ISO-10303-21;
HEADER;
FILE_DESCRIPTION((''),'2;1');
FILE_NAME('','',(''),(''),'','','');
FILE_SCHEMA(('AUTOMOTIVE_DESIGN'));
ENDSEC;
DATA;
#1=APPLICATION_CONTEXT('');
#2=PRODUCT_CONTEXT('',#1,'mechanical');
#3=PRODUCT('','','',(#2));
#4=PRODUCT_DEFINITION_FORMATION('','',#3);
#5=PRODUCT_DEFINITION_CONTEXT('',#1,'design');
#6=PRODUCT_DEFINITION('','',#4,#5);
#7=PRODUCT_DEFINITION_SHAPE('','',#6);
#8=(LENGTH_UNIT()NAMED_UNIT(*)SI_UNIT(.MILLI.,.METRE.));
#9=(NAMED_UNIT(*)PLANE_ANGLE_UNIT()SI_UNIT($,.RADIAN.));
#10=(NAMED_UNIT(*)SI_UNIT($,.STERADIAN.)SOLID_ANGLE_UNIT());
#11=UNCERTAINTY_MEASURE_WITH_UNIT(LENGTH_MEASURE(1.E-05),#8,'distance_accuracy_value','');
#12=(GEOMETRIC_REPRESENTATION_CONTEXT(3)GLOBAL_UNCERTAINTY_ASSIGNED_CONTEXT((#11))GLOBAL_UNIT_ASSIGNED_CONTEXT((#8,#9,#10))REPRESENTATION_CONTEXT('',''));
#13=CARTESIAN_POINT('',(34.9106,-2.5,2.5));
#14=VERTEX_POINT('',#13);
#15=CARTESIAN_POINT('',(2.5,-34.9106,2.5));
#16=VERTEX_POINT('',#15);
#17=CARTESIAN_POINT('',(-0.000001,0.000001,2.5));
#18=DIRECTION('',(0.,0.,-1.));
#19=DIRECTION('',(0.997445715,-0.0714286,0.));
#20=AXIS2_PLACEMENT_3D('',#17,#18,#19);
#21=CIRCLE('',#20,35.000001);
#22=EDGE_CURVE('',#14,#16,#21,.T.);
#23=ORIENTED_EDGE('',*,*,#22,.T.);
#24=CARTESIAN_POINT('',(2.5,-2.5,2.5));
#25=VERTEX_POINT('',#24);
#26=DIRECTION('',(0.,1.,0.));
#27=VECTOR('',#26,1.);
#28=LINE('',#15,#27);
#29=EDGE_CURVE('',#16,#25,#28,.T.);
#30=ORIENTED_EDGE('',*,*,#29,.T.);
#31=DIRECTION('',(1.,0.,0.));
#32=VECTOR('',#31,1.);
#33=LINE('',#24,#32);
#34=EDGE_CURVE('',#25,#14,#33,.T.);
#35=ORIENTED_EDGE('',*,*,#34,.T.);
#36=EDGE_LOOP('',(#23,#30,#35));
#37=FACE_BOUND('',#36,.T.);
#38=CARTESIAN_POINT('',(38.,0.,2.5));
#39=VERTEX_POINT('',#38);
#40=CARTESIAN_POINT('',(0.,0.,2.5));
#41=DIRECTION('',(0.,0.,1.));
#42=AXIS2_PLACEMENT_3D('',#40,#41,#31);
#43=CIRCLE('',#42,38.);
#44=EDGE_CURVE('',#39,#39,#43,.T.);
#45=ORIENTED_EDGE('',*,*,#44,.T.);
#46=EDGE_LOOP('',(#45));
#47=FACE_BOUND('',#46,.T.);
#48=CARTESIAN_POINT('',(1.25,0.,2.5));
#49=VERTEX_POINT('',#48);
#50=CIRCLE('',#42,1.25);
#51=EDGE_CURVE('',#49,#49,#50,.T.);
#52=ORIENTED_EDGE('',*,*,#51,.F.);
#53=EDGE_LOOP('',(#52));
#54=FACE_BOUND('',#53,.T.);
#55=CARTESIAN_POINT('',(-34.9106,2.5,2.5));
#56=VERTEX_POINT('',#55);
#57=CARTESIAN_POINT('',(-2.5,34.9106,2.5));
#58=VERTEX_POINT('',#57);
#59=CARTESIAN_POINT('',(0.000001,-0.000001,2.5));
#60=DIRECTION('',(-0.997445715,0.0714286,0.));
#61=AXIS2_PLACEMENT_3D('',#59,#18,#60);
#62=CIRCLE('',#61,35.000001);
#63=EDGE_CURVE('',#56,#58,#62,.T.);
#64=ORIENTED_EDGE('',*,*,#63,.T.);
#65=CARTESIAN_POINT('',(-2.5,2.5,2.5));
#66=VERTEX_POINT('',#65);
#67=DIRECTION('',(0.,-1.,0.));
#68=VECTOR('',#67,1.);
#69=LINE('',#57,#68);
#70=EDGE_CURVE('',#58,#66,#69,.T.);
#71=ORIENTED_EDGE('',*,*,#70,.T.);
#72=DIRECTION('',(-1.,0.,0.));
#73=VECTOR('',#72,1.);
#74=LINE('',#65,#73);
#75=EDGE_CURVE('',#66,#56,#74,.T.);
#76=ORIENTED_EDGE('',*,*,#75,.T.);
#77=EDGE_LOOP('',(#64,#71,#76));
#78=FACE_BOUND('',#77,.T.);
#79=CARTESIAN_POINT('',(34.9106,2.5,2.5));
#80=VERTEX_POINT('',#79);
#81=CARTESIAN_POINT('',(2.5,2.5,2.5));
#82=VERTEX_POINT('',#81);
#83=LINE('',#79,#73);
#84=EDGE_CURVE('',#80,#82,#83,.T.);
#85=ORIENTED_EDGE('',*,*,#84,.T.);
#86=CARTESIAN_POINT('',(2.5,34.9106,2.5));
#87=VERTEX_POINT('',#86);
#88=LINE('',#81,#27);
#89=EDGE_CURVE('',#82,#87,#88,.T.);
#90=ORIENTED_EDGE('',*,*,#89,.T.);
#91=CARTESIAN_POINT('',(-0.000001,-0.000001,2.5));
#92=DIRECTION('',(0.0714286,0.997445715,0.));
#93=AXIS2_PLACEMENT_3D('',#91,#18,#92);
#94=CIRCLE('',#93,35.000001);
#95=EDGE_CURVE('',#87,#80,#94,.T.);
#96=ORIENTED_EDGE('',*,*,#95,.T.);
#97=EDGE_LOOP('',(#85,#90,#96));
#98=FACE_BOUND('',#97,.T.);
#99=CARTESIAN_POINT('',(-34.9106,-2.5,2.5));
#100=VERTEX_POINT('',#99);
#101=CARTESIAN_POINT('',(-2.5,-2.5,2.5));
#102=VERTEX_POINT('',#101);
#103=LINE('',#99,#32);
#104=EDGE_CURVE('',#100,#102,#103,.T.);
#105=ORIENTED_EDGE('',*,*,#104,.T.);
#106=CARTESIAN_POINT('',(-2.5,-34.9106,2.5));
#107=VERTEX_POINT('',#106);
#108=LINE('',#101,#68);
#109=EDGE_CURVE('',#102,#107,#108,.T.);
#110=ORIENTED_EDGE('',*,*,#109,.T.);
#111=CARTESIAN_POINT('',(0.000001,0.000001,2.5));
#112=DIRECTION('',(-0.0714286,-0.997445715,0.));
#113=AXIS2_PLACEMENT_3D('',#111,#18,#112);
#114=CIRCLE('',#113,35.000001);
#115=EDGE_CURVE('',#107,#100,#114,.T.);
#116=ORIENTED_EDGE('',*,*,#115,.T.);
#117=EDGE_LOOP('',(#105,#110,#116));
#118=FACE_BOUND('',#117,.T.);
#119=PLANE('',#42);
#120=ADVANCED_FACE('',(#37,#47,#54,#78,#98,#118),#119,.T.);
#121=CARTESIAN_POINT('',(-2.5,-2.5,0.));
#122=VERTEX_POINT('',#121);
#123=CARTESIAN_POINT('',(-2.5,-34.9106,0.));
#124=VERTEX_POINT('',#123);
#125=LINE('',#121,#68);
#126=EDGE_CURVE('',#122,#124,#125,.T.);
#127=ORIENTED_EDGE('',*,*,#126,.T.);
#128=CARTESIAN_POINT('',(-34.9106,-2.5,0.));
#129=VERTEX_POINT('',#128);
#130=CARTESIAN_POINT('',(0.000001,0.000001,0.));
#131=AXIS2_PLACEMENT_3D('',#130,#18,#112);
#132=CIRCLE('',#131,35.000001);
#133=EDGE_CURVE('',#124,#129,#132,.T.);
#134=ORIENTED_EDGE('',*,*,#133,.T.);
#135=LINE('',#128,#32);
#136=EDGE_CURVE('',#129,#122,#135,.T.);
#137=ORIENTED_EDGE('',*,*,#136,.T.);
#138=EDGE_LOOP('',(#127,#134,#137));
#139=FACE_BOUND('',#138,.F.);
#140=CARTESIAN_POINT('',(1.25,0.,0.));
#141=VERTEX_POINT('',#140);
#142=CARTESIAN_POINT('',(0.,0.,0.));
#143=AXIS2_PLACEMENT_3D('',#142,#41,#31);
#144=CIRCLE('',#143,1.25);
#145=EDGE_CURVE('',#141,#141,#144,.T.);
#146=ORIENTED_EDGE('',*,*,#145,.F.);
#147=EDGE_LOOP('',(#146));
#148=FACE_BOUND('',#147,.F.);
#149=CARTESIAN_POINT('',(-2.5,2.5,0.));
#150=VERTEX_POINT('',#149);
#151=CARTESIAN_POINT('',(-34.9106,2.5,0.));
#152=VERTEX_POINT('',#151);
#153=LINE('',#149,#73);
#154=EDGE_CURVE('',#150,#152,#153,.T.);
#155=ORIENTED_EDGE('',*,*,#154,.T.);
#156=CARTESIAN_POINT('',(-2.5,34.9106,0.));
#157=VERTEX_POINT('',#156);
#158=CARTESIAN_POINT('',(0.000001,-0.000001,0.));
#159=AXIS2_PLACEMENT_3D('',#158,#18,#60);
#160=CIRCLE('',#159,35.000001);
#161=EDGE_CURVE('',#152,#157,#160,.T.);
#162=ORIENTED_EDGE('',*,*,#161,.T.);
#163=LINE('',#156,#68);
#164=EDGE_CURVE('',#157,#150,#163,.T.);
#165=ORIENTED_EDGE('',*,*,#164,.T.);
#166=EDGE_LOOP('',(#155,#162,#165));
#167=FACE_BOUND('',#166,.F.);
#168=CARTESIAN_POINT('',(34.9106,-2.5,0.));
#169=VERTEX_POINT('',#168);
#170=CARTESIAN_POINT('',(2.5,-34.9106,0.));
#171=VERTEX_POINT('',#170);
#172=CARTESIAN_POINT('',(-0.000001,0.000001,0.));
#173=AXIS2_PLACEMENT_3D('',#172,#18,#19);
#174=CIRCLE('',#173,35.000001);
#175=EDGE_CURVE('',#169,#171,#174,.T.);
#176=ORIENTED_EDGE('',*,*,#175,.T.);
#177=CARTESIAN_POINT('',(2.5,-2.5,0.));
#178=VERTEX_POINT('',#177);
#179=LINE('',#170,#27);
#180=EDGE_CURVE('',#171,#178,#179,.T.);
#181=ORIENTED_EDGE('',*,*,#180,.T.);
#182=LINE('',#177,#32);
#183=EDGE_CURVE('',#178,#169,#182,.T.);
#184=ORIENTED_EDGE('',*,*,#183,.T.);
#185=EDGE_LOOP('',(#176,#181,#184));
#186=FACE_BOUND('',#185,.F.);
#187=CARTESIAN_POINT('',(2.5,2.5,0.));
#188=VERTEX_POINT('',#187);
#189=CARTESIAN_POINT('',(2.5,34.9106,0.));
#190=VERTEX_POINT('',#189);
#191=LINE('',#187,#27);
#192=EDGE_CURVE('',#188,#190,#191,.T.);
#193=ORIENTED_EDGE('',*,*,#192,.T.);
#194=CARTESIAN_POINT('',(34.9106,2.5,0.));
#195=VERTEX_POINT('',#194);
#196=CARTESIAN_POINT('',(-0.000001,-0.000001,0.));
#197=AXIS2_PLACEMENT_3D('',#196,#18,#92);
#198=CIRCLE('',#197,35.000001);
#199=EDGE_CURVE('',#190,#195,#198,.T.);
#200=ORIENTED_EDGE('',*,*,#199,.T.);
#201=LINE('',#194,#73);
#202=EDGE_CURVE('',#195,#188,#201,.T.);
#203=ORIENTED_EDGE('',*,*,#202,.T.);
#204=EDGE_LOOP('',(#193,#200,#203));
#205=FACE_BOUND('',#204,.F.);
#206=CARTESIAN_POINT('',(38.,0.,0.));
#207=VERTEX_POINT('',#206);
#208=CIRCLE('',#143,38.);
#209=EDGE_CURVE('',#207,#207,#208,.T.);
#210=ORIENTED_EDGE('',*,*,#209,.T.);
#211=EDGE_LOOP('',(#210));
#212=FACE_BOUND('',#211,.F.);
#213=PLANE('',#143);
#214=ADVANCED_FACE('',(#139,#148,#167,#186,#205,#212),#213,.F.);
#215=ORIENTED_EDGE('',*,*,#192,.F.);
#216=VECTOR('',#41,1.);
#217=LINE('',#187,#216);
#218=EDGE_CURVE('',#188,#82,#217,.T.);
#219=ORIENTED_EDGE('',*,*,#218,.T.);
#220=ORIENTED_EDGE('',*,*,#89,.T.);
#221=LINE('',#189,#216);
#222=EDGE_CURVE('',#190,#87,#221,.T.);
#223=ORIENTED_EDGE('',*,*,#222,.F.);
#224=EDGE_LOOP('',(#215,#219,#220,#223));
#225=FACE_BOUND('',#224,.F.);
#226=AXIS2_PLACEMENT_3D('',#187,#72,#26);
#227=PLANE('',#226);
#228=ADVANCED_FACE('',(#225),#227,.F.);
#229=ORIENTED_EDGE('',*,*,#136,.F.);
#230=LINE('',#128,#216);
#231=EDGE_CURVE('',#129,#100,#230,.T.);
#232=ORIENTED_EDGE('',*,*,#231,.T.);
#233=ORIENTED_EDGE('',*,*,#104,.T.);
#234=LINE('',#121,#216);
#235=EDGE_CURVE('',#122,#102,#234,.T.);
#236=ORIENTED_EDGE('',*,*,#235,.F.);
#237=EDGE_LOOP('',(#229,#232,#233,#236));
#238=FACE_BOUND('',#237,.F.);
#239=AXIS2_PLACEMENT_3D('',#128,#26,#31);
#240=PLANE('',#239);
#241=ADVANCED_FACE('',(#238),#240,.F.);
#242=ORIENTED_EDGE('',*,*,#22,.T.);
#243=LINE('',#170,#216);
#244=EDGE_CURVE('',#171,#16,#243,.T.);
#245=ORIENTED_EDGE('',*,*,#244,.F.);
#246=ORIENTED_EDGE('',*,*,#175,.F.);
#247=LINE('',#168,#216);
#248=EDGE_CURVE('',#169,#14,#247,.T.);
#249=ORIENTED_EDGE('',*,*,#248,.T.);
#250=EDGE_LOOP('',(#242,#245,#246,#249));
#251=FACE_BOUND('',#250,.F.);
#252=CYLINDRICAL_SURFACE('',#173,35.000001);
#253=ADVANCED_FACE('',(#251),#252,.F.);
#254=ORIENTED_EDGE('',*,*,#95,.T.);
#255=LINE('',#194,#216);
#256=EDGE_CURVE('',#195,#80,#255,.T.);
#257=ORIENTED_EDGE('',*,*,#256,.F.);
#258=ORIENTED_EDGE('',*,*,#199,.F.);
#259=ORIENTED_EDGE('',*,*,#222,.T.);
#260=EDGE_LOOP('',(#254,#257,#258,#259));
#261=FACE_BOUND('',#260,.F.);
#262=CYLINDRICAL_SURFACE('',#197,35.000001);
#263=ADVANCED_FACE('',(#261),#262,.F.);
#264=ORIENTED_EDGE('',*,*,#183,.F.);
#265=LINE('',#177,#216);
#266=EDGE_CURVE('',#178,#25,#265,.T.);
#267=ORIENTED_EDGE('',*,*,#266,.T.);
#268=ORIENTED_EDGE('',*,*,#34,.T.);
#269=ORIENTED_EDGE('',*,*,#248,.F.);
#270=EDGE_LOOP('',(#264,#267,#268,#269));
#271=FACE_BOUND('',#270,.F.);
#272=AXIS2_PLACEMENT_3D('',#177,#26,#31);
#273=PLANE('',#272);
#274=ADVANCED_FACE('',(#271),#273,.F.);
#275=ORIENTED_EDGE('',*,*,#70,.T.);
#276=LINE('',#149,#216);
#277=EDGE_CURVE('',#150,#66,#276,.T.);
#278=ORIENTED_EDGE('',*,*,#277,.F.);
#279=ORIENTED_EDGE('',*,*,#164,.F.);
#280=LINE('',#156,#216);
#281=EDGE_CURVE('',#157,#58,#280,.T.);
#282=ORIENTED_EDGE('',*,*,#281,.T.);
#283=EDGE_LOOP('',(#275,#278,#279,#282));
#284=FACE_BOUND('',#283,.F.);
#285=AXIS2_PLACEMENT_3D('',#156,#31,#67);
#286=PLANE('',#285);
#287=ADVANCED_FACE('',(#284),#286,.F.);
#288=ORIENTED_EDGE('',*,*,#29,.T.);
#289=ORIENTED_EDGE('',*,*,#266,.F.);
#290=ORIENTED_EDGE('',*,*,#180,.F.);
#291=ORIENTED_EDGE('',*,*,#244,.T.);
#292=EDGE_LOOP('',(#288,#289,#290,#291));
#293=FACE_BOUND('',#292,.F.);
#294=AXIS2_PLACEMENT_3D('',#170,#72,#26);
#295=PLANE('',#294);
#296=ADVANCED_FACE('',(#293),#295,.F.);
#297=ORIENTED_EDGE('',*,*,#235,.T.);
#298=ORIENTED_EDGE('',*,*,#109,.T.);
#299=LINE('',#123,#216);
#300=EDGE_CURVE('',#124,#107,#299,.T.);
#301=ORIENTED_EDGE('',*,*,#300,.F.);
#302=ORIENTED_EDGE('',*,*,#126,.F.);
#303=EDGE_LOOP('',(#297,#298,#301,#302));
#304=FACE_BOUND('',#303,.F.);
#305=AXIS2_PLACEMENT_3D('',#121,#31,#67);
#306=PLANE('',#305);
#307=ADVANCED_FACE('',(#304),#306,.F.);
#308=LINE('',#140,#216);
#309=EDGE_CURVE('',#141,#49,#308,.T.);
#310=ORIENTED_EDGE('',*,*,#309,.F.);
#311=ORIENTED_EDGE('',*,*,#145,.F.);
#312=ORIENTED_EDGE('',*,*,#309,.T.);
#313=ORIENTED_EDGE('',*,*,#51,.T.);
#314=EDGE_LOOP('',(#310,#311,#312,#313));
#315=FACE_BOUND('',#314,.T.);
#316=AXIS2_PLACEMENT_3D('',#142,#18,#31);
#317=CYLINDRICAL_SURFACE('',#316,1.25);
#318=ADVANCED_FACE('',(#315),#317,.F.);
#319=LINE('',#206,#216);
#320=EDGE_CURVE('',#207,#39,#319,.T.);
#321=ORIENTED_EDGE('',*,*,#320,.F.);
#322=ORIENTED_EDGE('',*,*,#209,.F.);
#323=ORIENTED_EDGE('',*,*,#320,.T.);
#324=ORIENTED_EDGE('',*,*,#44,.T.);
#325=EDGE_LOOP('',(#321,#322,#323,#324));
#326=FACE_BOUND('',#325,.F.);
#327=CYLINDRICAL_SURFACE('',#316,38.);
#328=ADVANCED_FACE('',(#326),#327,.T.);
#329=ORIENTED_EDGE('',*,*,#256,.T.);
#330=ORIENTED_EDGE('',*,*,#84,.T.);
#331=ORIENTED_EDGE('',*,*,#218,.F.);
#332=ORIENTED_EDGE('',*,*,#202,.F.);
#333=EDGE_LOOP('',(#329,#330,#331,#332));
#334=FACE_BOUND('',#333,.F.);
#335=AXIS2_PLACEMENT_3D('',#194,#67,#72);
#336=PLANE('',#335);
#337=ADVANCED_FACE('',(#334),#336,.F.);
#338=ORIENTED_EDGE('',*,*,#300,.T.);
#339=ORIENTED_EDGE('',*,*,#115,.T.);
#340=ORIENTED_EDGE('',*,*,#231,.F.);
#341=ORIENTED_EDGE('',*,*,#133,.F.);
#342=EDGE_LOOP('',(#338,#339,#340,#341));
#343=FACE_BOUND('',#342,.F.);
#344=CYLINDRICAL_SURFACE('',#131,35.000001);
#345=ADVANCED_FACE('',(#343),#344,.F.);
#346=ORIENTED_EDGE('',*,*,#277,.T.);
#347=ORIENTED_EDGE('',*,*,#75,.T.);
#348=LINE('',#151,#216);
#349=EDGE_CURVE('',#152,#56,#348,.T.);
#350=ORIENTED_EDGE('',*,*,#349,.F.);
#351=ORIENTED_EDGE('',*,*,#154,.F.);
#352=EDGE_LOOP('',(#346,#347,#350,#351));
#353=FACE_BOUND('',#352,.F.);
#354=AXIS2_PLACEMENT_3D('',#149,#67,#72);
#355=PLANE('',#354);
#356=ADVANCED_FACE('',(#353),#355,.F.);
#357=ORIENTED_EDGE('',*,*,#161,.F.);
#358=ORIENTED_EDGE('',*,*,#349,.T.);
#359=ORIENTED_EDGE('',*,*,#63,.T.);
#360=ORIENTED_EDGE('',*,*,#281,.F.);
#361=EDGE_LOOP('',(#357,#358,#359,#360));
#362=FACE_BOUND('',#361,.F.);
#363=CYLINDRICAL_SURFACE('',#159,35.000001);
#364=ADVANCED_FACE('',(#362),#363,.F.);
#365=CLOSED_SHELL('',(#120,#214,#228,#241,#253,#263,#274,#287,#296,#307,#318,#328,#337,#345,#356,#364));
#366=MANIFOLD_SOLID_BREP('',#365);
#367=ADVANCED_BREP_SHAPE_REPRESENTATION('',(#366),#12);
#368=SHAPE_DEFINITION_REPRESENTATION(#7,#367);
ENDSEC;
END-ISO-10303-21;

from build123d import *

# Parameters (mm, degrees)
F0_R     = 38
F0_R_2   = 1.25
F1_DEPTH = 2.5


with BuildPart() as f1:
    # F0 (on Top) → F1 (new body)
    with BuildSketch(Plane.XY):
        Circle(F0_R)
        with BuildLine():
            Line((-34.9106, -2.5), (-2.5, -2.5))
            Line((-2.5, -2.5), (-2.5, -34.9106))
            ThreePointArc((-2.5, -34.9106), (-24.748737, -24.748737), (-34.9106, -2.5))
        make_face(mode=Mode.SUBTRACT)
        with BuildLine():
            Line((2.5, -34.9106), (2.5, -2.5))
            Line((2.5, -2.5), (34.9106, -2.5))
            ThreePointArc((34.9106, -2.5), (24.748737, -24.748737), (2.5, -34.9106))
        make_face(mode=Mode.SUBTRACT)
        with BuildLine():
            ThreePointArc((-34.9106, 2.5), (-24.748737, 24.748737), (-2.5, 34.9106))
            Line((-2.5, 34.9106), (-2.5, 2.5))
            Line((-2.5, 2.5), (-34.9106, 2.5))
        make_face(mode=Mode.SUBTRACT)
        Circle(F0_R_2, mode=Mode.SUBTRACT)
        with BuildLine():
            Line((2.5, 2.5), (2.5, 34.9106))
            ThreePointArc((2.5, 34.9106), (24.748737, 24.748737), (34.9106, 2.5))
            Line((34.9106, 2.5), (2.5, 2.5))
        make_face(mode=Mode.SUBTRACT)
    extrude(amount=F1_DEPTH)


solid = f1.part
